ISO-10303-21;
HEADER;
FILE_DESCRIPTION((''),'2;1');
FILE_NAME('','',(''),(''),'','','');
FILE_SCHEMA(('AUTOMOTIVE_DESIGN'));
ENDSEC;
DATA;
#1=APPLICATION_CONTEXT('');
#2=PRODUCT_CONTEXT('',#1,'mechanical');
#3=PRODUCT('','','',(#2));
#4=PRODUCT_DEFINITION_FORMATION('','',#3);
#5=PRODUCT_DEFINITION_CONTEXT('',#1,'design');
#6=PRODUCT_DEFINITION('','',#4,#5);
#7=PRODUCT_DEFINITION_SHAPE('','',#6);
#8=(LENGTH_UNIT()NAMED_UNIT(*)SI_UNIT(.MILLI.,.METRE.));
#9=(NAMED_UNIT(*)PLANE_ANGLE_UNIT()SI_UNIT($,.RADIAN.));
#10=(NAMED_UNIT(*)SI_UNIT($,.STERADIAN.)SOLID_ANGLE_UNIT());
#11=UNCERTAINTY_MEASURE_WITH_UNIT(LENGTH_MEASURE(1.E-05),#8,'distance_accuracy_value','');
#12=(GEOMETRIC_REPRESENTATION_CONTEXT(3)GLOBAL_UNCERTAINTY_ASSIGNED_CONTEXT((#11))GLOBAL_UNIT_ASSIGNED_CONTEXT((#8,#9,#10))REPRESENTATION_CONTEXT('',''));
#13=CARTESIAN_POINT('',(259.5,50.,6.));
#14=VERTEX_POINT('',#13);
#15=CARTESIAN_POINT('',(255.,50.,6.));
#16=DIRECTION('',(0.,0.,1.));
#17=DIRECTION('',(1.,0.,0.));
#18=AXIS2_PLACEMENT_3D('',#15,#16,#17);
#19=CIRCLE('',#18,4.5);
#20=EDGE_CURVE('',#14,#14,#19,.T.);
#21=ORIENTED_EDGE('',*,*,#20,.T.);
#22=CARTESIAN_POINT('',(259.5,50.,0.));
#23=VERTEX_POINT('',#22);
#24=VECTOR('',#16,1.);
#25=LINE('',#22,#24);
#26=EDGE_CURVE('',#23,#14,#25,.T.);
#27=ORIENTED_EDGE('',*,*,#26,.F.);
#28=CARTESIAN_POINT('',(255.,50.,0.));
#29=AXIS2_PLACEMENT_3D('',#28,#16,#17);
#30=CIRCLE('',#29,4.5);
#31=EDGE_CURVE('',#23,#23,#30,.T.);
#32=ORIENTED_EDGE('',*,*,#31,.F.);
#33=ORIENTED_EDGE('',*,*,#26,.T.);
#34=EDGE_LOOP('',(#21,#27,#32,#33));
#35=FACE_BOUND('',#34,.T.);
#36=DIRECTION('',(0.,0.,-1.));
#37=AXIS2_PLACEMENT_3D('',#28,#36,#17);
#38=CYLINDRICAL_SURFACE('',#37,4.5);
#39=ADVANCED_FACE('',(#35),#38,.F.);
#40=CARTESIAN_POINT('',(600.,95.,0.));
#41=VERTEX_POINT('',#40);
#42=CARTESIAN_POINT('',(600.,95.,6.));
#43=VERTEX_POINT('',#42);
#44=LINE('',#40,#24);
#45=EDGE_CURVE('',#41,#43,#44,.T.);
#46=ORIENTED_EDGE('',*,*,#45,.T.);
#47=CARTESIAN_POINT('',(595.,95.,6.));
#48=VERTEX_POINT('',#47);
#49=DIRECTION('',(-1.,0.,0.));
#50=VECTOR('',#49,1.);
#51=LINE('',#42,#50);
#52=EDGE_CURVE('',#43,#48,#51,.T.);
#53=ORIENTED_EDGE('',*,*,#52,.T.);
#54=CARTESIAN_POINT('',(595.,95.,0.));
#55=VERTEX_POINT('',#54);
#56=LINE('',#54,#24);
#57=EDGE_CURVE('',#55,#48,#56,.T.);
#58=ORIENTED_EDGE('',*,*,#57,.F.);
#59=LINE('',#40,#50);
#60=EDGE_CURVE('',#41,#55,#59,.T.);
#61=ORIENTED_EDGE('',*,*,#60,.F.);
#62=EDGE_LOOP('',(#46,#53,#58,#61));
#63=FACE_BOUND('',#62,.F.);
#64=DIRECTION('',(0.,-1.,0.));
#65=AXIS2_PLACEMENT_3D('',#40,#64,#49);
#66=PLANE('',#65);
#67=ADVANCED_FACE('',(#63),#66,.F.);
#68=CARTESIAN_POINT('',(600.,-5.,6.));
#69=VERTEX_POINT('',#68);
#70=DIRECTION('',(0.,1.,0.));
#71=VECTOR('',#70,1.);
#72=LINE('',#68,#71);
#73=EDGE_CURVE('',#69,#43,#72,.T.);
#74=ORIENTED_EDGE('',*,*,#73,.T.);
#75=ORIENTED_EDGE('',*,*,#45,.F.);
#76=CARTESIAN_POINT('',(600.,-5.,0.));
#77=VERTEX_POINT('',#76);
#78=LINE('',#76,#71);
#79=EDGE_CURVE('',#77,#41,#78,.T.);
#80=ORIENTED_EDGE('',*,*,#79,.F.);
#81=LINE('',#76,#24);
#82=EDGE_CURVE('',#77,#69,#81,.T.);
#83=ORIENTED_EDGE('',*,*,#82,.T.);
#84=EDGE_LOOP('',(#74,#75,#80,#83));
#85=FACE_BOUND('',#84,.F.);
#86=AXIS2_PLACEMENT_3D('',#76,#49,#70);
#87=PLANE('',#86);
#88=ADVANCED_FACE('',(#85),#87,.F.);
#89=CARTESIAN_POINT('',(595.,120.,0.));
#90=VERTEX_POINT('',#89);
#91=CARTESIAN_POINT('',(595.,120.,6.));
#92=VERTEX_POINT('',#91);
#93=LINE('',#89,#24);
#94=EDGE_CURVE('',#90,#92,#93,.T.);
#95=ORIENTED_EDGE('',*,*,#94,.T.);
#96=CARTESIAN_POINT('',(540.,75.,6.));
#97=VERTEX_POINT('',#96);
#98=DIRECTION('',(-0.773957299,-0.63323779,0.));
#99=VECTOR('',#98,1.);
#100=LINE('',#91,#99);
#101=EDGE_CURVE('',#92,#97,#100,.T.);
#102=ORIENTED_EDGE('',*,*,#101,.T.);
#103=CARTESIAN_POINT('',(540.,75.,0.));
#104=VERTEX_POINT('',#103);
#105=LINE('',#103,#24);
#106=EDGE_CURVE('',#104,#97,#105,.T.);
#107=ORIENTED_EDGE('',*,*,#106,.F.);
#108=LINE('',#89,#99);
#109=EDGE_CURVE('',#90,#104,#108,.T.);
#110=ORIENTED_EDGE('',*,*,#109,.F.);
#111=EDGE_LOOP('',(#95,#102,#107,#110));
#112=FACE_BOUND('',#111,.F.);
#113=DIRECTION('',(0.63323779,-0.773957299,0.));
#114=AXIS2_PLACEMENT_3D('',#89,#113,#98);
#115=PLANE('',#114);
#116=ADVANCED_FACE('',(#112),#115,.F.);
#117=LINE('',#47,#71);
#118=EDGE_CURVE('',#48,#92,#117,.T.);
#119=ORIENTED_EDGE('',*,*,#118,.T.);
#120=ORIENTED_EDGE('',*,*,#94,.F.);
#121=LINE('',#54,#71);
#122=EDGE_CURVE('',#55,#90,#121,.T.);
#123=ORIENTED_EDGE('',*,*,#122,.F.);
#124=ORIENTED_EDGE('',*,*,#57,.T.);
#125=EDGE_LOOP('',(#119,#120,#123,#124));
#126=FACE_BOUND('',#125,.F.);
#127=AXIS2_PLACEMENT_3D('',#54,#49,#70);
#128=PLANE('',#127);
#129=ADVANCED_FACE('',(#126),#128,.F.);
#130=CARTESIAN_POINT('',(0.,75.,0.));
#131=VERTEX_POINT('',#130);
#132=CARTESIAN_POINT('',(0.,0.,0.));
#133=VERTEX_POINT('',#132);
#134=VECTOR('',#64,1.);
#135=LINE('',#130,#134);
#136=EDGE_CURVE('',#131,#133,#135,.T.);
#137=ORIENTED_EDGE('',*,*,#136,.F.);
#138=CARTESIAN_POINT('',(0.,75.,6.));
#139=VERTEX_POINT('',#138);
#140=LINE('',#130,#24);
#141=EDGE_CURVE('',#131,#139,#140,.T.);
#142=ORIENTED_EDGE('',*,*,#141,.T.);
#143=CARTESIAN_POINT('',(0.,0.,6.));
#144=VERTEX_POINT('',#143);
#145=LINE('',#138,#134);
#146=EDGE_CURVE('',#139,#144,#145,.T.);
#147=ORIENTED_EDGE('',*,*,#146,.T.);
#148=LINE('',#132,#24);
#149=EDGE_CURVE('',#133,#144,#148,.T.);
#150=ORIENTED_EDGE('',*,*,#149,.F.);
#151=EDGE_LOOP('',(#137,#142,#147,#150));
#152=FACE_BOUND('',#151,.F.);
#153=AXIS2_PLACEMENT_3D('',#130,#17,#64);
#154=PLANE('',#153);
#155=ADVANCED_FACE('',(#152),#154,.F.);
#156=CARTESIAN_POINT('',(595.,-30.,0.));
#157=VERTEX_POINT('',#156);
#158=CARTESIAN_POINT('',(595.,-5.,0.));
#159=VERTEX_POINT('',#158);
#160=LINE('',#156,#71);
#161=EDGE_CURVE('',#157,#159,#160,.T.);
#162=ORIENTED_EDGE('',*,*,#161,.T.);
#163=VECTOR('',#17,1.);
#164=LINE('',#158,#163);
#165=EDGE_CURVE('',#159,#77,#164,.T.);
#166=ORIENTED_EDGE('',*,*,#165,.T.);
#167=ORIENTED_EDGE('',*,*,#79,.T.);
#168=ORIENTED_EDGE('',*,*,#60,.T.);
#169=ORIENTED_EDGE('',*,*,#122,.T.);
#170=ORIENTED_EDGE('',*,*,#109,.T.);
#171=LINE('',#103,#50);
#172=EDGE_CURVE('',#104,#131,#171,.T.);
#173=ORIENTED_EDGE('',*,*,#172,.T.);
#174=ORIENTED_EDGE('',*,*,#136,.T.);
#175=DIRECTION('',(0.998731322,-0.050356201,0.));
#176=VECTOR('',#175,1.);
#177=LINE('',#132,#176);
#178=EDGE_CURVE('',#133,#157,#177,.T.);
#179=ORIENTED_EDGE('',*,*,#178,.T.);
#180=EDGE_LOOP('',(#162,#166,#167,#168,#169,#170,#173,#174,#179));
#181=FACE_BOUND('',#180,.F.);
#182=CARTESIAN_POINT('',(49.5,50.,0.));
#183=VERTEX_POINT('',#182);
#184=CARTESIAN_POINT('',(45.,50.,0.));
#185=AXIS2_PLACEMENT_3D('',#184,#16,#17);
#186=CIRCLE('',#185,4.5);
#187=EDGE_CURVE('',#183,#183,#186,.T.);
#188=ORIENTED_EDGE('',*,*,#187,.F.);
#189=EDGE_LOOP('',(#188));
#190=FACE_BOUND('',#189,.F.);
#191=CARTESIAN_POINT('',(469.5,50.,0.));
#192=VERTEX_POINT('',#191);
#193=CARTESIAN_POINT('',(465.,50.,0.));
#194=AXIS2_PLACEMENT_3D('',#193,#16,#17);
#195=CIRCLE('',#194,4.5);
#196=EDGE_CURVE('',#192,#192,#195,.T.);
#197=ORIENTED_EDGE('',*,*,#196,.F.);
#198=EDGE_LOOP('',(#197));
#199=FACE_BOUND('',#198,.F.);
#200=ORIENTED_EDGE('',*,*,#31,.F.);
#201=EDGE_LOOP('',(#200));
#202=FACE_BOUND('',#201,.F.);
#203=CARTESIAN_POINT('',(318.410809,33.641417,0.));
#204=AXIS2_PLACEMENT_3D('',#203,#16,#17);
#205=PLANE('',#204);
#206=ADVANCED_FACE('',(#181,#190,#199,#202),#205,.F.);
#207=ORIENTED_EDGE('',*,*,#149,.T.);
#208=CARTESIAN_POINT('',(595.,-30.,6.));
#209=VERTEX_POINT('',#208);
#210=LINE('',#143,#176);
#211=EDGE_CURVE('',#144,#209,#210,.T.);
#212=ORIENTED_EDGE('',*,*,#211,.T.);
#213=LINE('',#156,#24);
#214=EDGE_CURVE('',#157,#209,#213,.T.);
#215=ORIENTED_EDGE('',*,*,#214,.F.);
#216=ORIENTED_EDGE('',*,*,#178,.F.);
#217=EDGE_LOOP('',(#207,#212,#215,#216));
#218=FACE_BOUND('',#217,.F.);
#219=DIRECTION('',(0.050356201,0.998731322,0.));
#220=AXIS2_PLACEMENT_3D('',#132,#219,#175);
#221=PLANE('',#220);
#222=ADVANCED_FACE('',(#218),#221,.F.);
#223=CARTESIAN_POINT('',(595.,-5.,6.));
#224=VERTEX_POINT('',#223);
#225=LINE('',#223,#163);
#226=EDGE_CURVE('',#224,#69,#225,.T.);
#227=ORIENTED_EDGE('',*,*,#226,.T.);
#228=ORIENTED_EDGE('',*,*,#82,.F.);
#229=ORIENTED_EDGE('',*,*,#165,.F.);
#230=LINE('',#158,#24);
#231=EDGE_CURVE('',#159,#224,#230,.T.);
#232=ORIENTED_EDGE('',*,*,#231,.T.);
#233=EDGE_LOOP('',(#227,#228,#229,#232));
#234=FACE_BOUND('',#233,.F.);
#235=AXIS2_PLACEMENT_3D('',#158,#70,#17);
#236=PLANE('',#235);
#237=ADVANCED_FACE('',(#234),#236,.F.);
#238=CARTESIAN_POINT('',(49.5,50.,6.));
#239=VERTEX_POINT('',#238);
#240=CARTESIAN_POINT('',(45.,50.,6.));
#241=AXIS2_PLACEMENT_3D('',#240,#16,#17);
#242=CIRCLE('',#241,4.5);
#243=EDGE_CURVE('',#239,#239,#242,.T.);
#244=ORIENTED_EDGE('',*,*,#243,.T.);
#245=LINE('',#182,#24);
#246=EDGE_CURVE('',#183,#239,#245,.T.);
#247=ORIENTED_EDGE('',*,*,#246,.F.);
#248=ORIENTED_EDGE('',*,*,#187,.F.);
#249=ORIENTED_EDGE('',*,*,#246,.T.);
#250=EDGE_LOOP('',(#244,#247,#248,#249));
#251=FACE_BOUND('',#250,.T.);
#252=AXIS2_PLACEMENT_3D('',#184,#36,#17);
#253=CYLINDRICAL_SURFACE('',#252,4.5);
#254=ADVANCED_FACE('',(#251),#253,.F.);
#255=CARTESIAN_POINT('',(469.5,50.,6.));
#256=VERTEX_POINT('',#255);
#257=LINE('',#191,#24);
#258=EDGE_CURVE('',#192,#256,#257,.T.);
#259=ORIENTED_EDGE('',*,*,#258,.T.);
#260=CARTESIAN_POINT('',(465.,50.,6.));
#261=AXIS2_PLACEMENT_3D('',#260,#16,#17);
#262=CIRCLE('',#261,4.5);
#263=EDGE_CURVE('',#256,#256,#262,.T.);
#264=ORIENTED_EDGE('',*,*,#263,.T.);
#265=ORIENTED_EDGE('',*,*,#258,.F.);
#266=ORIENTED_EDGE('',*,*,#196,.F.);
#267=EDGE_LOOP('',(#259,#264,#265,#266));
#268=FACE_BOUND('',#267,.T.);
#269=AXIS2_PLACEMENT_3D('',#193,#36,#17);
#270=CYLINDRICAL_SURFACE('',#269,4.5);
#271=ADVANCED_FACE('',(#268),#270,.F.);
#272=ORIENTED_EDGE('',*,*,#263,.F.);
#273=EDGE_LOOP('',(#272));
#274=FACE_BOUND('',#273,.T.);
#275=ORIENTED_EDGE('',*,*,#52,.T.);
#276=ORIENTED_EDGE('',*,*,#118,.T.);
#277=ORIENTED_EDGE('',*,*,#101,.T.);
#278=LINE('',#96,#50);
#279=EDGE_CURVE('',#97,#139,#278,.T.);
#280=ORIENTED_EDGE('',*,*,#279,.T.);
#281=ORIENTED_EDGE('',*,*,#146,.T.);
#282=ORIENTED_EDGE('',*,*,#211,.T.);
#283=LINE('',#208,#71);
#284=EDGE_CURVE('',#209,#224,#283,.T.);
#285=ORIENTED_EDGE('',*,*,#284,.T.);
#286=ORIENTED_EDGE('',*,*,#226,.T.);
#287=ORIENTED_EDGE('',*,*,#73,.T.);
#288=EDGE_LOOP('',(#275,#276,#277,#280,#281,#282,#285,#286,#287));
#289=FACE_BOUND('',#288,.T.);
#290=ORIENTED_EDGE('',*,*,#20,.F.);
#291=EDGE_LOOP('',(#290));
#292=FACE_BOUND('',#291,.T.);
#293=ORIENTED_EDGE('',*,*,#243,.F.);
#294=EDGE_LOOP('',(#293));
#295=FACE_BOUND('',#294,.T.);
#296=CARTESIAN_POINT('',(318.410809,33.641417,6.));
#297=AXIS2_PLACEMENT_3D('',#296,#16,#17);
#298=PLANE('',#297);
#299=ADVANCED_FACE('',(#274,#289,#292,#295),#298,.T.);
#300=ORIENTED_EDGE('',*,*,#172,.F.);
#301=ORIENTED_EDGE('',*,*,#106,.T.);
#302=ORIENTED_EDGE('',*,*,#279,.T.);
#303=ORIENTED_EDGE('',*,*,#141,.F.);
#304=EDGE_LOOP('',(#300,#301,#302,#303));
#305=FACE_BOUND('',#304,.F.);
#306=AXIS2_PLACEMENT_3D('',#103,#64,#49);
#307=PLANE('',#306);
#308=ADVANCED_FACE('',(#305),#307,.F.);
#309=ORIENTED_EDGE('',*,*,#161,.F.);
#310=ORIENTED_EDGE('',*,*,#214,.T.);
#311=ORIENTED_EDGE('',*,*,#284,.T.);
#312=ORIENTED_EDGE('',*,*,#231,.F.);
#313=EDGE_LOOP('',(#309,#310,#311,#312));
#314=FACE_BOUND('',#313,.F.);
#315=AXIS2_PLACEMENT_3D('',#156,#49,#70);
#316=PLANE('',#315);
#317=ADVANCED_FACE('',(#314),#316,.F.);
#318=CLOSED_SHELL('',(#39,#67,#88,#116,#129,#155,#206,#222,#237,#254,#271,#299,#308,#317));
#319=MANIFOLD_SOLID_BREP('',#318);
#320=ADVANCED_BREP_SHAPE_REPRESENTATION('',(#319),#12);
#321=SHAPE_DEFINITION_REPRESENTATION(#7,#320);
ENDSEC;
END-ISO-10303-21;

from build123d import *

# Parameters (mm, degrees)
F0_R     = 4.5
F1_DEPTH = 6


with BuildPart() as f1:
    # F0 (on Top) → F1 (new body)
    with BuildSketch(Plane.XY):
        Polygon((0, 75), (0, 0), (595, -30), (595, -5), (600, -5), (600, 95), (595, 95), (595, 120), (540, 75), align=None)
        with Locations((45, 50)):
            Circle(F0_R, mode=Mode.SUBTRACT)
        with Locations((255, 50)):
            Circle(F0_R, mode=Mode.SUBTRACT)
        with Locations((465, 50)):
            Circle(F0_R, mode=Mode.SUBTRACT)
    extrude(amount=F1_DEPTH)


solid = f1.part
